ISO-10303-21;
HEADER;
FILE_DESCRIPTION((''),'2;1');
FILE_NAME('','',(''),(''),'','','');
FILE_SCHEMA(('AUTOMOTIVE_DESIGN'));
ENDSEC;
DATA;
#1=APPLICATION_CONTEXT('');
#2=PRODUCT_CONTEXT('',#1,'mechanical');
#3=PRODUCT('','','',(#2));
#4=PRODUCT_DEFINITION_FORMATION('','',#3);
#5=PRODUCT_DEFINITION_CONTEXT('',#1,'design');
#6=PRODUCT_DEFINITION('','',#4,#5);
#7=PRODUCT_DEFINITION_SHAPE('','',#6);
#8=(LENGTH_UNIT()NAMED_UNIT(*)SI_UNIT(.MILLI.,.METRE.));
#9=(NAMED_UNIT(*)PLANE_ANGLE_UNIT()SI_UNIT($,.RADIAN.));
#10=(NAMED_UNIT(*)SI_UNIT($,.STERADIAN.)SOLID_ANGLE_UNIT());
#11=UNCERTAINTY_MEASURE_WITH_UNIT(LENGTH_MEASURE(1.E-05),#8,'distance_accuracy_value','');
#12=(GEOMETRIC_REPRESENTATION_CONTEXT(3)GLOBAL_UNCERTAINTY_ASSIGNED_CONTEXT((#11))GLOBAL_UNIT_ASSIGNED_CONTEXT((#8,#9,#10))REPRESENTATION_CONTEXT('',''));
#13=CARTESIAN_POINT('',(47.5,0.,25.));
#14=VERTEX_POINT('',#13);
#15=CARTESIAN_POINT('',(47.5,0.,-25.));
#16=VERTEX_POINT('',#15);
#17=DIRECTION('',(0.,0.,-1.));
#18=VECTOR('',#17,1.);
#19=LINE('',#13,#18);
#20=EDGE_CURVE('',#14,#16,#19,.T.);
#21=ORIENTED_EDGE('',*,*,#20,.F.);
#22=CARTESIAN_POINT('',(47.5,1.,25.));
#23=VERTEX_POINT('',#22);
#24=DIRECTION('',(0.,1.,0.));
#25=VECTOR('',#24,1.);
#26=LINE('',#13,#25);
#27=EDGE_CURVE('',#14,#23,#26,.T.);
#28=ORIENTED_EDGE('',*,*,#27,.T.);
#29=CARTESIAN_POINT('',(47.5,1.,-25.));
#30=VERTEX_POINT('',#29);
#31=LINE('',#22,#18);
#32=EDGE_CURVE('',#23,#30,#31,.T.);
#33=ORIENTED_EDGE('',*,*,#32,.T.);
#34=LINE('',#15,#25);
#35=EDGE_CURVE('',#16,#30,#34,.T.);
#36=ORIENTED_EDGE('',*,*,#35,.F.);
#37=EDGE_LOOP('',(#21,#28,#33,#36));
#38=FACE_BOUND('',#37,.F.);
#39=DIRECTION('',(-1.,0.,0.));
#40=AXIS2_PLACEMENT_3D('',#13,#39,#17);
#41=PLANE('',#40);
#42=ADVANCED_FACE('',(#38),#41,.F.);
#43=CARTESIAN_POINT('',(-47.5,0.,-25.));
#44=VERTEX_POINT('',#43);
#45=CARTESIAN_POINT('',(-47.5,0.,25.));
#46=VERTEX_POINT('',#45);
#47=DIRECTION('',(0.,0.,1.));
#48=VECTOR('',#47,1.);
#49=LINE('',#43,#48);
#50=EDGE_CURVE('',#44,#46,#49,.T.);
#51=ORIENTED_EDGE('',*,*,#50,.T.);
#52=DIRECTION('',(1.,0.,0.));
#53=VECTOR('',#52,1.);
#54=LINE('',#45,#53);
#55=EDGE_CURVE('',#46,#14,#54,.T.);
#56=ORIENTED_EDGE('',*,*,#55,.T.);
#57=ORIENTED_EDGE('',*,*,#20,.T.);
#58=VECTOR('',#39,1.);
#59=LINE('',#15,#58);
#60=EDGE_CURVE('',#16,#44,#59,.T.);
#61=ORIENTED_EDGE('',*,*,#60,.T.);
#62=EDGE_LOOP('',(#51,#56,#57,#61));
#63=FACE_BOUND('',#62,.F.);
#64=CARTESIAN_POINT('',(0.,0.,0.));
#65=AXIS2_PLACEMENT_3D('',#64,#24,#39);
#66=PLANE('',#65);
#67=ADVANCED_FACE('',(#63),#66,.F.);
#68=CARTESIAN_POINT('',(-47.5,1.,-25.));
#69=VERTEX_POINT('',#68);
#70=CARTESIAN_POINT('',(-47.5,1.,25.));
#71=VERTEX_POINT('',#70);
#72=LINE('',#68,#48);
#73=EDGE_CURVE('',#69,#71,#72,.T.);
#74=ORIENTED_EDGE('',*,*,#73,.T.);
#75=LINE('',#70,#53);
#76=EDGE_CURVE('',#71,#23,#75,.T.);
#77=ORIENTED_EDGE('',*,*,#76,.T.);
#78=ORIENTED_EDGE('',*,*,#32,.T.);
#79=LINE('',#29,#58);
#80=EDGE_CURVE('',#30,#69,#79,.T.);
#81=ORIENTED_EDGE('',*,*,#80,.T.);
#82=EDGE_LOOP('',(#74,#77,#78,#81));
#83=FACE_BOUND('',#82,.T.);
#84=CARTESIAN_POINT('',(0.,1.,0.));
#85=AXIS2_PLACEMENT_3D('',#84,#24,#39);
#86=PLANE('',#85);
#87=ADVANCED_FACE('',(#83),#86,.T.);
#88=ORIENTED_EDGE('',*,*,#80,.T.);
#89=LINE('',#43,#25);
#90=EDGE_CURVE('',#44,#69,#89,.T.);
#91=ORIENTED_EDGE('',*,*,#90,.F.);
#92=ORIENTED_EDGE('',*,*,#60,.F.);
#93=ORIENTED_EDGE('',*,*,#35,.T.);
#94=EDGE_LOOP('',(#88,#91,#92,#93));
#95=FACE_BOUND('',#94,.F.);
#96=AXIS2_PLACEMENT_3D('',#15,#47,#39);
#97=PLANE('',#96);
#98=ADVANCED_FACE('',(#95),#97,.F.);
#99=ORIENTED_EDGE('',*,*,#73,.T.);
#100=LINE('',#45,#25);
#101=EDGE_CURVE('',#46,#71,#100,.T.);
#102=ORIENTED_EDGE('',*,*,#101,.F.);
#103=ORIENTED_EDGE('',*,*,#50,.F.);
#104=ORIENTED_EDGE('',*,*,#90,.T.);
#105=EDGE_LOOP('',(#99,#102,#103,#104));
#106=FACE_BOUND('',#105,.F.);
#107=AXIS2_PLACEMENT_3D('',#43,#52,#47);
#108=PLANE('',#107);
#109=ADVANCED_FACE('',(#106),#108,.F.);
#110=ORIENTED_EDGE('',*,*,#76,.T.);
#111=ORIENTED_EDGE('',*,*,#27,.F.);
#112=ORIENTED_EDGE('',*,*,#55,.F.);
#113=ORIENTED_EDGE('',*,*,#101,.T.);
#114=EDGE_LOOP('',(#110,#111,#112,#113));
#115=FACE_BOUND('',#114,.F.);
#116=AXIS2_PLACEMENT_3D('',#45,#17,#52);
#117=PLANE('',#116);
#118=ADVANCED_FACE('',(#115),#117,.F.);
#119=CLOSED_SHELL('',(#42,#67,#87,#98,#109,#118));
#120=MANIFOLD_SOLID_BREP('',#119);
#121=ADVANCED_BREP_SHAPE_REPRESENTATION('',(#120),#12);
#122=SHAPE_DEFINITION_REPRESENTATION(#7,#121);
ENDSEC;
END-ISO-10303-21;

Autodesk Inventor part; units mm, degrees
ref_plane "YZ Plane" through (0, 0, 0) normal (1, 0, 0) x (0, 1, 0)
ref_plane "XZ Plane" through (0, 0, 0) normal (0, 1, 0) x (-1, 0, 0)
ref_plane "XY Plane" through (0, 0, 0) normal (0, 0, 1) x (1, 0, 0)
sketch "Sketch1" plane through (0, 0, 0) normal (0, 1, 0) x (-1, 0, 0)
  line L0 (47.5, 25) -> (-47.5, 25)
  line L1 (-47.5, 25) -> (-47.5, -25)
  line L2 (-47.5, -25) -> (47.5, -25)
  line L3 (47.5, -25) -> (47.5, 25)
  line L4 (47.5, 25) -> (-47.5, -25) construction
  line L5 (-47.5, 25) -> (47.5, -25) construction
  point P0 (0, 0)
  dimension "d0" = 95
  dimension "d1" = 50
extrude "Extrusion1" add sketch "Sketch1" along normal blind 1
properties part number "bakelite" material "Copper"
